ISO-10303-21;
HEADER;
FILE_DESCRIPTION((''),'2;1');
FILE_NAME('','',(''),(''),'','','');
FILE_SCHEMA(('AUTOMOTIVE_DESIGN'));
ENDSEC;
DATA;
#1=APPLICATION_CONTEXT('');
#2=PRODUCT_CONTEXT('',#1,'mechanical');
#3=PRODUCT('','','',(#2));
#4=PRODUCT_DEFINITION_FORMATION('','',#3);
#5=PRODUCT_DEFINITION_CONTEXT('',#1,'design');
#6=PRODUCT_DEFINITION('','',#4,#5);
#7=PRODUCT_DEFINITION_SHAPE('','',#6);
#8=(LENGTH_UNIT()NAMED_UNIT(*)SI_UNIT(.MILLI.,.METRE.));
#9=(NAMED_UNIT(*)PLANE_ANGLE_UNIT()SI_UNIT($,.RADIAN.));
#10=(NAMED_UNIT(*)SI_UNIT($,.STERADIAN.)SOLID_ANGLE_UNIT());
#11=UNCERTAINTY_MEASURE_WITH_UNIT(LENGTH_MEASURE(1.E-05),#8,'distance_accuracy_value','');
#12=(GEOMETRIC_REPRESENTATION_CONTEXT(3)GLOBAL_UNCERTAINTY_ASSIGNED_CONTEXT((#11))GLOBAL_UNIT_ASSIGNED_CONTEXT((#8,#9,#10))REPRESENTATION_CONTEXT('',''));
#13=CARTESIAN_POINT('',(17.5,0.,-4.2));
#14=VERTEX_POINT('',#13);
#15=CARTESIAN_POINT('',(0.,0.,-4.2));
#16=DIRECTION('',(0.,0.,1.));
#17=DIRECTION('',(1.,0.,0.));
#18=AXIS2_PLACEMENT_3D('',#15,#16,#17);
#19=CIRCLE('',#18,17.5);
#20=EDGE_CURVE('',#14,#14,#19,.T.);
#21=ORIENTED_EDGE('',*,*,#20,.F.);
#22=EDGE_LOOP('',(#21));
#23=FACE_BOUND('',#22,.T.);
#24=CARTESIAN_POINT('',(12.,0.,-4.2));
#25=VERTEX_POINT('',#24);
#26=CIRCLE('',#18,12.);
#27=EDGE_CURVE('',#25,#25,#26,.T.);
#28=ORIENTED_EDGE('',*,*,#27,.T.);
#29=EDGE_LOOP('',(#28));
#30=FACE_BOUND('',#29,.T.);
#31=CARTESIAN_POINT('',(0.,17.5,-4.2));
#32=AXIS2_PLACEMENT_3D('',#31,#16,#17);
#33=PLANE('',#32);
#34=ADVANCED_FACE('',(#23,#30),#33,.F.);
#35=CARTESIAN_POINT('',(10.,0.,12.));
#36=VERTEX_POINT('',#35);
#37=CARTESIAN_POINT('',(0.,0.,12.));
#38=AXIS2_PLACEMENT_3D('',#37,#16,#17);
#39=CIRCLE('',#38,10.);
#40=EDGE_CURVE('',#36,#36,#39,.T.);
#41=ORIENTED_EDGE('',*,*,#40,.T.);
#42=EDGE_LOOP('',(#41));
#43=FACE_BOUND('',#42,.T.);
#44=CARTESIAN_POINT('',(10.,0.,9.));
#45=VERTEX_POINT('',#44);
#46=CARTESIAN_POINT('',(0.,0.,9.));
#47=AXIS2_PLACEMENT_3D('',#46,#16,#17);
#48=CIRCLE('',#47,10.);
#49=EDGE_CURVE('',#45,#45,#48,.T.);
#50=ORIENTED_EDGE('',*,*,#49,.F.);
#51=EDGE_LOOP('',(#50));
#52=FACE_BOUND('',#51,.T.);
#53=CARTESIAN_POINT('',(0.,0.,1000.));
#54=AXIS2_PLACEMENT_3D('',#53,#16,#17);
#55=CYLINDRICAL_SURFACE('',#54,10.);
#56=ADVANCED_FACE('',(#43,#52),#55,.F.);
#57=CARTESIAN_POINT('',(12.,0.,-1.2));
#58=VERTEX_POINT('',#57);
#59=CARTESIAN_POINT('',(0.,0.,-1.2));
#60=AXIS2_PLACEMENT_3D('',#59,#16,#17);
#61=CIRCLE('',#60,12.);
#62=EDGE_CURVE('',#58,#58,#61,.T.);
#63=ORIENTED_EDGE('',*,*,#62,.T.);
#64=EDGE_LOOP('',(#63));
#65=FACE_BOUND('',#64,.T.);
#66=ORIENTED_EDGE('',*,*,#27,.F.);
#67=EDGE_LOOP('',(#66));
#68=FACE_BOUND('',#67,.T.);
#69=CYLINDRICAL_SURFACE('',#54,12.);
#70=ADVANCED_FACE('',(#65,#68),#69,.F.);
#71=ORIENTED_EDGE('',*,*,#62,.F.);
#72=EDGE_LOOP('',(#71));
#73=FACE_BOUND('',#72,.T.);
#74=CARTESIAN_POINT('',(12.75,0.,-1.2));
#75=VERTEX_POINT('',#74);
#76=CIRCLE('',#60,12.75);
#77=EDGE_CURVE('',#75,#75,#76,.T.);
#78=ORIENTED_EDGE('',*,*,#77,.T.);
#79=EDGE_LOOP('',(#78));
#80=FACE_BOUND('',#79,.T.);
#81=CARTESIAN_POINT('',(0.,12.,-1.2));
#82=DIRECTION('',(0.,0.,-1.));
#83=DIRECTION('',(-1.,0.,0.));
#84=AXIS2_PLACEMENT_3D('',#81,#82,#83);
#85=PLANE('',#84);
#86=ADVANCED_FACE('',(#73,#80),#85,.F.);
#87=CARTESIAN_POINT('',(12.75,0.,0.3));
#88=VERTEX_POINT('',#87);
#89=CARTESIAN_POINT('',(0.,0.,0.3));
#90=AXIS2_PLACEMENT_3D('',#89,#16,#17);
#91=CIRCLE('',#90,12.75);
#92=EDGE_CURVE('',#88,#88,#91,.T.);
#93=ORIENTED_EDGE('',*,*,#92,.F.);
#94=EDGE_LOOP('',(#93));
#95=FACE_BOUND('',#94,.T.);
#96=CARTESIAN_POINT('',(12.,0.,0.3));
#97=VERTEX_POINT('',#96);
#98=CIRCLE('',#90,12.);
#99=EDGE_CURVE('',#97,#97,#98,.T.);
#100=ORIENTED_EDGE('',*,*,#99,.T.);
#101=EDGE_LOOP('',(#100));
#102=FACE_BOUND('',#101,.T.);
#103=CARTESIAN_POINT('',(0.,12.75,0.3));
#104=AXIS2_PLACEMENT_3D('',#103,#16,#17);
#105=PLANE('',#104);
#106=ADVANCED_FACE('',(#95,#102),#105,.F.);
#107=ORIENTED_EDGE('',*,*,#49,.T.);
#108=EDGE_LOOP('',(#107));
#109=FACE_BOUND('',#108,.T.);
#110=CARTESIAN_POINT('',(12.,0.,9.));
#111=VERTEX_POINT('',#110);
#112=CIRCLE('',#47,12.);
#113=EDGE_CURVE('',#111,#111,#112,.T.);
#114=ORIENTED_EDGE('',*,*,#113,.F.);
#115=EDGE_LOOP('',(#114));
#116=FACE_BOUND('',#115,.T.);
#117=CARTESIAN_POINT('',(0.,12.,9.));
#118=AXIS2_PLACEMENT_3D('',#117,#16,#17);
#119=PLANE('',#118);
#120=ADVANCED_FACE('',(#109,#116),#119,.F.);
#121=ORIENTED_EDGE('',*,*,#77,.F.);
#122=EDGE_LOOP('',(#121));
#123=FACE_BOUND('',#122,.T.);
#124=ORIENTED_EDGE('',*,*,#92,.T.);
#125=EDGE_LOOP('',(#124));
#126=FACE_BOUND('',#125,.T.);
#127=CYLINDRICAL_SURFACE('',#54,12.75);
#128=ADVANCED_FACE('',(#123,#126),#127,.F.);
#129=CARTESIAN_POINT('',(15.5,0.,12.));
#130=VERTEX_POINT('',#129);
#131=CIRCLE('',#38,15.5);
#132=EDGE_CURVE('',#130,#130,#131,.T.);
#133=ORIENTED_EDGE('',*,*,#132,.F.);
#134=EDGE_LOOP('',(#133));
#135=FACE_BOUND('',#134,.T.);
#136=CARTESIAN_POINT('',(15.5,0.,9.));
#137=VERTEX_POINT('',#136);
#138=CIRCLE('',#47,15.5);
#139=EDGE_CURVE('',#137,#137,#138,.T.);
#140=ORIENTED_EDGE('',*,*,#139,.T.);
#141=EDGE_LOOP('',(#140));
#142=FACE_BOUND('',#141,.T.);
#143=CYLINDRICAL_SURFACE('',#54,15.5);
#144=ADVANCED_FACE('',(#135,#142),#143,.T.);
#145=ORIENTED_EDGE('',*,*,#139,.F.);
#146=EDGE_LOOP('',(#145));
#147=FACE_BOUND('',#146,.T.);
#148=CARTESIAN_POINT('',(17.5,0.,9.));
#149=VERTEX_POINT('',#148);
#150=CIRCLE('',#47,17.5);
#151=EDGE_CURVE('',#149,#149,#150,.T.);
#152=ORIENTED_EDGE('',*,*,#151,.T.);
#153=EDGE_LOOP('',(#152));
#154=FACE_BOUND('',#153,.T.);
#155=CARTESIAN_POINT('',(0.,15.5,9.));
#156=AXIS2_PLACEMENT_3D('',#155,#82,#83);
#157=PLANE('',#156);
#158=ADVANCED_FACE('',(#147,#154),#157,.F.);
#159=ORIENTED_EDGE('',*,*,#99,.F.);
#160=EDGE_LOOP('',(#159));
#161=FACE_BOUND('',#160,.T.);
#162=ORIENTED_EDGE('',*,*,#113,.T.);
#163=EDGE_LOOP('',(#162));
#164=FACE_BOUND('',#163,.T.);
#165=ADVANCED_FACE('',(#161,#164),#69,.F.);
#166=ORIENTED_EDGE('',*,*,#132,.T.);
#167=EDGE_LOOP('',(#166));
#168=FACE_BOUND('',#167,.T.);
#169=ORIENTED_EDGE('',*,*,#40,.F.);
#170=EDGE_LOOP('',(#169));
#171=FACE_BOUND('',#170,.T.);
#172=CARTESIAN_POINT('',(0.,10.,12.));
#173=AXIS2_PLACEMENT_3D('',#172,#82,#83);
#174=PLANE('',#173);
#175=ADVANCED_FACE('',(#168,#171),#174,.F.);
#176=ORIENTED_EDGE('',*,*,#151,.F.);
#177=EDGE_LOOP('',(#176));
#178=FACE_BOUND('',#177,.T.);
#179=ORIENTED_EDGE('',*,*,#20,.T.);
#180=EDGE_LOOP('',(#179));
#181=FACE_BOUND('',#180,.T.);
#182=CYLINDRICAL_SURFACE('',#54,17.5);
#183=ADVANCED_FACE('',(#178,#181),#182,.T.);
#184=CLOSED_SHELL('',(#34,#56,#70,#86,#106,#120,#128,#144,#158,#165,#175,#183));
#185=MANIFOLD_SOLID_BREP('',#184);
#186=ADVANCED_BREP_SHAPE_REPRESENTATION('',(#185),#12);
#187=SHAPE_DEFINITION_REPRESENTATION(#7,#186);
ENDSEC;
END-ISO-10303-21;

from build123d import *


with BuildPart() as part:
    # Эскиз1 → Повернуть1 (revolve)
    with BuildSketch(Plane(origin=(0, 0, 0), x_dir=(0, 0, -1), z_dir=(1, 0, 0))):
        Polygon((-9, 12), (-9, 10), (-12, 10), (-12, 15.5), (-9, 15.5), (-9, 17.5), (4.2, 17.5), (4.2, 12), (1.2, 12), (1.2, 12.75), (-0.3, 12.75), (-0.3, 12), align=None)
    revolve(axis=Axis((0, 0, 1000), (0, 0, -1)))


solid = part.part
